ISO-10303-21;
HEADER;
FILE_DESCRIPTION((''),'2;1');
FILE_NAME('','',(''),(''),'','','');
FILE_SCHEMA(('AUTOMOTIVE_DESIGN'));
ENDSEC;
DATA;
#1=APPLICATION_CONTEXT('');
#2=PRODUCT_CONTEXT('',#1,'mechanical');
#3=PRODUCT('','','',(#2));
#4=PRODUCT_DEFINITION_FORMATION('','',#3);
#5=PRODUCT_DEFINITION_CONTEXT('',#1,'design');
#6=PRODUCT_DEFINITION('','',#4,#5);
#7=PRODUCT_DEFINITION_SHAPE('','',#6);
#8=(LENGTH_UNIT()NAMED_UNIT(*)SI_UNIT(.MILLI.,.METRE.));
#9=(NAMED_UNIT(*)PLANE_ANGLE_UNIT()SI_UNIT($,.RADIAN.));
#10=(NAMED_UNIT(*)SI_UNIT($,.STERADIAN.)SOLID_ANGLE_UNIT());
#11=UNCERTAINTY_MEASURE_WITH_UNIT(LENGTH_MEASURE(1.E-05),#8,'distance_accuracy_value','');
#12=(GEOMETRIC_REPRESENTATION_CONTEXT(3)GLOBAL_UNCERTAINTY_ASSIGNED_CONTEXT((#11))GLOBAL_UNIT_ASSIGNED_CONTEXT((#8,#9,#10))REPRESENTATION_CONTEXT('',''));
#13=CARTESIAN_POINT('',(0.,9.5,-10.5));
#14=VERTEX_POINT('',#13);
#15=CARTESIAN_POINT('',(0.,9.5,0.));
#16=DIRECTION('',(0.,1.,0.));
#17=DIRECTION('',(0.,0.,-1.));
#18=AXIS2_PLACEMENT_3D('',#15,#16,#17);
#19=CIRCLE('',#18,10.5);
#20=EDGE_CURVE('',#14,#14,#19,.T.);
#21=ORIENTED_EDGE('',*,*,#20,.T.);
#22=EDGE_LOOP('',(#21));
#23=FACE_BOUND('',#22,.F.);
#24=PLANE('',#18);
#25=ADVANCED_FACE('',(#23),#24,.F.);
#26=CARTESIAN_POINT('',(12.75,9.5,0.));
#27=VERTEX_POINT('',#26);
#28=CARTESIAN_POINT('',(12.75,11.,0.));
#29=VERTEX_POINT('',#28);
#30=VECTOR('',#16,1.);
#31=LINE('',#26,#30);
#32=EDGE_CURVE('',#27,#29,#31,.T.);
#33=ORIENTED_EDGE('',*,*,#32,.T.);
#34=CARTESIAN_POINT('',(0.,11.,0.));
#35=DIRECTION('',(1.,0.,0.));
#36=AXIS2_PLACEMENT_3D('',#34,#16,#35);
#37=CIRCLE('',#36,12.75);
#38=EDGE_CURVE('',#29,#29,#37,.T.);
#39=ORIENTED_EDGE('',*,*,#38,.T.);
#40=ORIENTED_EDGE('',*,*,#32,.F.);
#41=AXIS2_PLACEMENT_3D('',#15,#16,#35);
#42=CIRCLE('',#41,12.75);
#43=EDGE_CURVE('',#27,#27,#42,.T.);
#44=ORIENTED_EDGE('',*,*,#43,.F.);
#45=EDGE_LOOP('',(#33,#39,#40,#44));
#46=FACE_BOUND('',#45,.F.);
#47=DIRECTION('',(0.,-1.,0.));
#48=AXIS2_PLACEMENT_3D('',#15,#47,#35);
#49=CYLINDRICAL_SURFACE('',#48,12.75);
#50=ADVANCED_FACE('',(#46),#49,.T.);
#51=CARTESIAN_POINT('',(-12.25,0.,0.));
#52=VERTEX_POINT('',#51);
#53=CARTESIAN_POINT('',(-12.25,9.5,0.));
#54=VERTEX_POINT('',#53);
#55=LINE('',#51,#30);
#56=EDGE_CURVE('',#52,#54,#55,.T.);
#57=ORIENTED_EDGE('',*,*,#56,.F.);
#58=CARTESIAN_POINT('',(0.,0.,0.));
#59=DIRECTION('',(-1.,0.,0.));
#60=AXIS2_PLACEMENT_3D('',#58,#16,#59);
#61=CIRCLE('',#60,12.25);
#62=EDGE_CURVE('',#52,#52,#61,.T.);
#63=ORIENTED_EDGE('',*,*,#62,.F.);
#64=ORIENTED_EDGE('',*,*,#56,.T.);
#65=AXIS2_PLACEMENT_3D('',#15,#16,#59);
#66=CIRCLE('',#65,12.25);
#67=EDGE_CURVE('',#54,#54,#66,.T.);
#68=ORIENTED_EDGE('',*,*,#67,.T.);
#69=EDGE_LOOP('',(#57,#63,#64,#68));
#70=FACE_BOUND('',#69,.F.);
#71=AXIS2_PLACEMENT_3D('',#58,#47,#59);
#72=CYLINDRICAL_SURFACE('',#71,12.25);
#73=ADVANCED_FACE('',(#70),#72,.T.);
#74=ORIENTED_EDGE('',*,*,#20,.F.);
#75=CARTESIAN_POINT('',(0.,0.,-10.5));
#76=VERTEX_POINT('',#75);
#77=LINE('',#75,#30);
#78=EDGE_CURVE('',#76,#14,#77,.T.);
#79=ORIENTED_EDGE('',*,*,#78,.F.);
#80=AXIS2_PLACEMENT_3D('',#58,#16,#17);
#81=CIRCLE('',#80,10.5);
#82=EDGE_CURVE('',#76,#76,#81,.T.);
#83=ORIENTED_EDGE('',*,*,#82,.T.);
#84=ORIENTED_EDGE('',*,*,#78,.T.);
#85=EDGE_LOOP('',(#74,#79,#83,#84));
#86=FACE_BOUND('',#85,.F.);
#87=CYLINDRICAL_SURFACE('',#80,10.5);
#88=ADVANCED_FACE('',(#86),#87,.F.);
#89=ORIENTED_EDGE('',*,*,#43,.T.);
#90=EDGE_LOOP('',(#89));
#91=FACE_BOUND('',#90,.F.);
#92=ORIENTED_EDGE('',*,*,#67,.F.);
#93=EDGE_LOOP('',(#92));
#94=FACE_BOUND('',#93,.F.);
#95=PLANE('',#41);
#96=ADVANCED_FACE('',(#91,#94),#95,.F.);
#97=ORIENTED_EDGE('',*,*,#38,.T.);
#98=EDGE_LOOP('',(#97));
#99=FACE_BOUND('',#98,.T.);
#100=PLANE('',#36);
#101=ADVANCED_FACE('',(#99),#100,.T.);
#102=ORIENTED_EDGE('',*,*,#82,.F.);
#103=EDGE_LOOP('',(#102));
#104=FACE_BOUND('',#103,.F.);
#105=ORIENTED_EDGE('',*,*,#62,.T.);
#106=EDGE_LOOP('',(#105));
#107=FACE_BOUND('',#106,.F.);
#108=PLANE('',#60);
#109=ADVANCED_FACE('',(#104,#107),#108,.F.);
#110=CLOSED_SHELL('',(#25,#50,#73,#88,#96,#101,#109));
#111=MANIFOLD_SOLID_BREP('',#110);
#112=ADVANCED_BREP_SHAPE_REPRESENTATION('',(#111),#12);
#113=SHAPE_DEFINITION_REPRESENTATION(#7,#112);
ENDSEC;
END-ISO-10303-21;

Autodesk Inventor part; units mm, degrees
ref_plane "YZ Plane" through (0, 0, 0) normal (1, 0, 0) x (0, 1, 0)
ref_plane "XZ Plane" through (0, 0, 0) normal (0, 1, 0) x (-1, 0, 0)
ref_plane "XY Plane" through (0, 0, 0) normal (0, 0, 1) x (1, 0, 0)
sketch "Skizze1" plane through (0, 0, 0) normal (0, 1, 0) x (-1, 0, 0)
  circle A0 centre (0, 0) radius 12.25
  dimension "d0" = 24.5
extrude "Extrusion1" add sketch "Skizze1" along normal blind 9.5
sketch "Skizze2" plane through (0, 9.5, 0) normal (0, 1, 0) x (1, 0, 0)
  circle A0 centre (0, 0) radius 12.75
  dimension "d3" = 25.5
extrude "Extrusion2" add sketch "Skizze2" along normal blind 1.5
sketch "Skizze3" plane through (0, 0, 0) normal (0, -1, 0) x (1, 0, 0)
  circle A0 centre (0, 0) radius 12.25 projected
hole "Bohrung1" at (0, 0, 0) direction (0, 1, 0) diameter 21 depth 9.5
properties part number "17"
